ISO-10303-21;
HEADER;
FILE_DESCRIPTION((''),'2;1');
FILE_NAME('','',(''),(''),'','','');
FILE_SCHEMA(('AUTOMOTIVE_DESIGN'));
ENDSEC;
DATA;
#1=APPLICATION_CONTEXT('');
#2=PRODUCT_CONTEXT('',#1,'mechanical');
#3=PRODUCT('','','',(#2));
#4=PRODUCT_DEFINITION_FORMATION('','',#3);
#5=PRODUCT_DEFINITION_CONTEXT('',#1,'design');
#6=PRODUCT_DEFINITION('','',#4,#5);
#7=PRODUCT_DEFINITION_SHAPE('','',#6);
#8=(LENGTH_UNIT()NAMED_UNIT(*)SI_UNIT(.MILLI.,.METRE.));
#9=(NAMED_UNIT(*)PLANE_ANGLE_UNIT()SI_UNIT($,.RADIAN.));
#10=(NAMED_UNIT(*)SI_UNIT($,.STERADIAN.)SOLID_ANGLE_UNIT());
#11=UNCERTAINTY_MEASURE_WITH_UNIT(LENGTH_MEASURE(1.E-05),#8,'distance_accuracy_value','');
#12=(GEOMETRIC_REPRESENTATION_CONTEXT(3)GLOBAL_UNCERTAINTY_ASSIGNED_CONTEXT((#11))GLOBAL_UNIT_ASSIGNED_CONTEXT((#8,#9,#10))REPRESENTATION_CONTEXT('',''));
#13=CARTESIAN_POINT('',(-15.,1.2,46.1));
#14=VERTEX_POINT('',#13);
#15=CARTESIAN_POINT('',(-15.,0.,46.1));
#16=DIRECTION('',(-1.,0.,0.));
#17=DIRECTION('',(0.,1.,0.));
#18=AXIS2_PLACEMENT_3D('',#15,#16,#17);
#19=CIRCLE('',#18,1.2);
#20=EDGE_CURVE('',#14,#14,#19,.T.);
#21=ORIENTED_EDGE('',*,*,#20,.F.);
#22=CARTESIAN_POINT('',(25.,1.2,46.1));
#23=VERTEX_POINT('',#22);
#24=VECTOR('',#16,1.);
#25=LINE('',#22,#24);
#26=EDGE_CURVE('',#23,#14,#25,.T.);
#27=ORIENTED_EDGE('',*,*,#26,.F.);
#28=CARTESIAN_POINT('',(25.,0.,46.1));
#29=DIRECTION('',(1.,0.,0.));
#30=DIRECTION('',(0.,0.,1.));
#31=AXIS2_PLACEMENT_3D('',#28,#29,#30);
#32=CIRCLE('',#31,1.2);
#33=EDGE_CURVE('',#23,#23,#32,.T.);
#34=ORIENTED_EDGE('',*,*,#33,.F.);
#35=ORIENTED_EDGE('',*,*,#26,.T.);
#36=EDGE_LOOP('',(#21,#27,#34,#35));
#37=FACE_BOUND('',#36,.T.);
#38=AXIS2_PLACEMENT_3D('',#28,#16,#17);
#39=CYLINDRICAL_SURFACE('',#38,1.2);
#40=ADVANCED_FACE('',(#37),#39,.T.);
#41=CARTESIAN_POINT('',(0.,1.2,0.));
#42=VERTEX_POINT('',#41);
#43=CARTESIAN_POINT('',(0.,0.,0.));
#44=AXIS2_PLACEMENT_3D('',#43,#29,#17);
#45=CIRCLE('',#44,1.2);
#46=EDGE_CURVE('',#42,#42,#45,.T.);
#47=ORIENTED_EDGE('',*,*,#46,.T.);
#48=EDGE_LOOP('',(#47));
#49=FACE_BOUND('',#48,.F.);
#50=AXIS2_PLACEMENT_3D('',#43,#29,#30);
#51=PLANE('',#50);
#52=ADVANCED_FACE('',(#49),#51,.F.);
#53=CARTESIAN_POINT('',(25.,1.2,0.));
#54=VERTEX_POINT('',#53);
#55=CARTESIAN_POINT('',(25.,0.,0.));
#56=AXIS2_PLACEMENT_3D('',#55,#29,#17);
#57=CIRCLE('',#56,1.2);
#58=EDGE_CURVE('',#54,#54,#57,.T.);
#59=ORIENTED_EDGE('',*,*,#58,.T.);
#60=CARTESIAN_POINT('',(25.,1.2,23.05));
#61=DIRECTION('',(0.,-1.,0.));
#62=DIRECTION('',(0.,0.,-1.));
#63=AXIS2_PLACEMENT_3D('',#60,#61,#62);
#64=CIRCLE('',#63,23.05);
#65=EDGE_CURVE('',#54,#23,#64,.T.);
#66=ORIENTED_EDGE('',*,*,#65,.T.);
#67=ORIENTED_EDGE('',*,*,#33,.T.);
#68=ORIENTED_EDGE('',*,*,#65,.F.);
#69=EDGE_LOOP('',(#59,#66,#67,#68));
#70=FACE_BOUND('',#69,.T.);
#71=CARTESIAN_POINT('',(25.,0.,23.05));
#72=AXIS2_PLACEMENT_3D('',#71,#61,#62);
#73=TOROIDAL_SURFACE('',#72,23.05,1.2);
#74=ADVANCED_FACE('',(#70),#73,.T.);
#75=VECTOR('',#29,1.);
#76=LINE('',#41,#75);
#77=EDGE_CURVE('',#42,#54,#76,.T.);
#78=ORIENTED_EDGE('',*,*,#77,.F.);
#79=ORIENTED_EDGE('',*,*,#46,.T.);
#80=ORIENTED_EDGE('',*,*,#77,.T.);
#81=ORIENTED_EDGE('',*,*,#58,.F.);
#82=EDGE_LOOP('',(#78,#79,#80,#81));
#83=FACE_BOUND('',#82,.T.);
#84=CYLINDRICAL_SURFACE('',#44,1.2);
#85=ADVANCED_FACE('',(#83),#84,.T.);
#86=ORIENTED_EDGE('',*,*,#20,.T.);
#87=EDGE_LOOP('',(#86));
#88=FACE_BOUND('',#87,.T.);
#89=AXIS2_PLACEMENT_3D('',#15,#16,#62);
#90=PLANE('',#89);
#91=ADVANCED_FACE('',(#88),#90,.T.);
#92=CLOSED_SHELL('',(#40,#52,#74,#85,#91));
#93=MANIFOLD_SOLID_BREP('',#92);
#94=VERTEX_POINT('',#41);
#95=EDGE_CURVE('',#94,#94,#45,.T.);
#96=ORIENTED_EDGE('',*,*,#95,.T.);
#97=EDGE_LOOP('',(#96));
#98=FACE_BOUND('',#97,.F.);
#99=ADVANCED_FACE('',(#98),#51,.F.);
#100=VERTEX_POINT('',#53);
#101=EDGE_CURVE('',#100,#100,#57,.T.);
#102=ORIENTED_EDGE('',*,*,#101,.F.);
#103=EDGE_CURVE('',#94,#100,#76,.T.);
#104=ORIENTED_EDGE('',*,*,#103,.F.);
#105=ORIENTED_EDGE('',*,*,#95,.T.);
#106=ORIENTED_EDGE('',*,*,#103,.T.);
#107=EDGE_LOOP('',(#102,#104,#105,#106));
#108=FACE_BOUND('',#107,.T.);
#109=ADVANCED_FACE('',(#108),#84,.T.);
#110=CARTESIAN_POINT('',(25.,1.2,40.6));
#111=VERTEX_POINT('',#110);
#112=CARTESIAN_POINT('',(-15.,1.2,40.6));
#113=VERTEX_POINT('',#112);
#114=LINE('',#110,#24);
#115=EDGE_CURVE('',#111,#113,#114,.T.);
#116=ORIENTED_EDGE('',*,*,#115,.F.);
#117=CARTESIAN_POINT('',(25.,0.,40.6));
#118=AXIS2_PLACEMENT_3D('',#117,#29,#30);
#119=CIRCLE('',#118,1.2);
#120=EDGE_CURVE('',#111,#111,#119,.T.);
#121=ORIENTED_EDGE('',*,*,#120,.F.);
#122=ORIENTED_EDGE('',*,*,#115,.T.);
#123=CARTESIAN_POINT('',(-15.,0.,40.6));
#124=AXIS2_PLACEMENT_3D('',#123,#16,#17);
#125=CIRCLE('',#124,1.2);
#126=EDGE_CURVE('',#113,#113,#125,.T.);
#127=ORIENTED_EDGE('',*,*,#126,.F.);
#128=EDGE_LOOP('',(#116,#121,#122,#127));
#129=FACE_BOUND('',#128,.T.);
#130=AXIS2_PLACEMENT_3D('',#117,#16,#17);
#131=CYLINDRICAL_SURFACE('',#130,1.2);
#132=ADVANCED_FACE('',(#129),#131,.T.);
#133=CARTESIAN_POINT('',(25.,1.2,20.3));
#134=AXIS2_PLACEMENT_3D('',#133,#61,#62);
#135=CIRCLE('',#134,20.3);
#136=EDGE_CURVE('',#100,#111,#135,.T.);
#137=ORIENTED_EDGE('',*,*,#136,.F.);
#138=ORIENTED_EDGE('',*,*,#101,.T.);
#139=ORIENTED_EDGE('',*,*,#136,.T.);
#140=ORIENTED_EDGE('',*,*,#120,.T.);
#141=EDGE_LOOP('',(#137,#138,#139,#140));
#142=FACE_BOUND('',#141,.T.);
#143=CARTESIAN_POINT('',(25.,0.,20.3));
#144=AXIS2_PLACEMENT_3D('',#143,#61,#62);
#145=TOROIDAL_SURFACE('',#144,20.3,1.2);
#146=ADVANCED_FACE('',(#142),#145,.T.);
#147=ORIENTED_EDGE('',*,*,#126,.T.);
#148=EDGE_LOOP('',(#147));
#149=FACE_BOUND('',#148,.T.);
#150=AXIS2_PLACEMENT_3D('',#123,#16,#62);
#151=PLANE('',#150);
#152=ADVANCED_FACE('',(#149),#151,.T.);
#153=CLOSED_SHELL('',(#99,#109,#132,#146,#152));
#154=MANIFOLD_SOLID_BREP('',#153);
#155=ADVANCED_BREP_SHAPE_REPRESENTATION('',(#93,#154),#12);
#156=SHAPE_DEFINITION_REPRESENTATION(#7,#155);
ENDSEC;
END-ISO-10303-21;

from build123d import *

# Parameters (mm, degrees)
F1_R = 1.2


with BuildPart() as f2:
    # F2: sweep along a path in F0
    with BuildLine(Plane.XZ) as f2_path:
        Line((0, 0), (25, 0))
        ThreePointArc((25, 0), (45.3, 20.3), (25, 40.6))
        Line((25, 40.6), (-15, 40.6))
    # F1 (on Right) → F2 (sweep)
    with BuildSketch(Plane.YZ):
        Circle(F1_R)
    sweep(path=f2_path.line)


with BuildPart() as f3:
    # F3: sweep along a path in F0
    with BuildLine(Plane.XZ) as f3_path:
        Line((0, 0), (25, 0))
        ThreePointArc((25, 0), (48.05, 23.05), (25, 46.1))
        Line((25, 46.1), (-15, 46.1))
    # F1 (on Right) → F3 (sweep)
    with BuildSketch(Plane.YZ):
        Circle(F1_R)
    sweep(path=f3_path.line)


solid = Compound([f2.part, f3.part])
